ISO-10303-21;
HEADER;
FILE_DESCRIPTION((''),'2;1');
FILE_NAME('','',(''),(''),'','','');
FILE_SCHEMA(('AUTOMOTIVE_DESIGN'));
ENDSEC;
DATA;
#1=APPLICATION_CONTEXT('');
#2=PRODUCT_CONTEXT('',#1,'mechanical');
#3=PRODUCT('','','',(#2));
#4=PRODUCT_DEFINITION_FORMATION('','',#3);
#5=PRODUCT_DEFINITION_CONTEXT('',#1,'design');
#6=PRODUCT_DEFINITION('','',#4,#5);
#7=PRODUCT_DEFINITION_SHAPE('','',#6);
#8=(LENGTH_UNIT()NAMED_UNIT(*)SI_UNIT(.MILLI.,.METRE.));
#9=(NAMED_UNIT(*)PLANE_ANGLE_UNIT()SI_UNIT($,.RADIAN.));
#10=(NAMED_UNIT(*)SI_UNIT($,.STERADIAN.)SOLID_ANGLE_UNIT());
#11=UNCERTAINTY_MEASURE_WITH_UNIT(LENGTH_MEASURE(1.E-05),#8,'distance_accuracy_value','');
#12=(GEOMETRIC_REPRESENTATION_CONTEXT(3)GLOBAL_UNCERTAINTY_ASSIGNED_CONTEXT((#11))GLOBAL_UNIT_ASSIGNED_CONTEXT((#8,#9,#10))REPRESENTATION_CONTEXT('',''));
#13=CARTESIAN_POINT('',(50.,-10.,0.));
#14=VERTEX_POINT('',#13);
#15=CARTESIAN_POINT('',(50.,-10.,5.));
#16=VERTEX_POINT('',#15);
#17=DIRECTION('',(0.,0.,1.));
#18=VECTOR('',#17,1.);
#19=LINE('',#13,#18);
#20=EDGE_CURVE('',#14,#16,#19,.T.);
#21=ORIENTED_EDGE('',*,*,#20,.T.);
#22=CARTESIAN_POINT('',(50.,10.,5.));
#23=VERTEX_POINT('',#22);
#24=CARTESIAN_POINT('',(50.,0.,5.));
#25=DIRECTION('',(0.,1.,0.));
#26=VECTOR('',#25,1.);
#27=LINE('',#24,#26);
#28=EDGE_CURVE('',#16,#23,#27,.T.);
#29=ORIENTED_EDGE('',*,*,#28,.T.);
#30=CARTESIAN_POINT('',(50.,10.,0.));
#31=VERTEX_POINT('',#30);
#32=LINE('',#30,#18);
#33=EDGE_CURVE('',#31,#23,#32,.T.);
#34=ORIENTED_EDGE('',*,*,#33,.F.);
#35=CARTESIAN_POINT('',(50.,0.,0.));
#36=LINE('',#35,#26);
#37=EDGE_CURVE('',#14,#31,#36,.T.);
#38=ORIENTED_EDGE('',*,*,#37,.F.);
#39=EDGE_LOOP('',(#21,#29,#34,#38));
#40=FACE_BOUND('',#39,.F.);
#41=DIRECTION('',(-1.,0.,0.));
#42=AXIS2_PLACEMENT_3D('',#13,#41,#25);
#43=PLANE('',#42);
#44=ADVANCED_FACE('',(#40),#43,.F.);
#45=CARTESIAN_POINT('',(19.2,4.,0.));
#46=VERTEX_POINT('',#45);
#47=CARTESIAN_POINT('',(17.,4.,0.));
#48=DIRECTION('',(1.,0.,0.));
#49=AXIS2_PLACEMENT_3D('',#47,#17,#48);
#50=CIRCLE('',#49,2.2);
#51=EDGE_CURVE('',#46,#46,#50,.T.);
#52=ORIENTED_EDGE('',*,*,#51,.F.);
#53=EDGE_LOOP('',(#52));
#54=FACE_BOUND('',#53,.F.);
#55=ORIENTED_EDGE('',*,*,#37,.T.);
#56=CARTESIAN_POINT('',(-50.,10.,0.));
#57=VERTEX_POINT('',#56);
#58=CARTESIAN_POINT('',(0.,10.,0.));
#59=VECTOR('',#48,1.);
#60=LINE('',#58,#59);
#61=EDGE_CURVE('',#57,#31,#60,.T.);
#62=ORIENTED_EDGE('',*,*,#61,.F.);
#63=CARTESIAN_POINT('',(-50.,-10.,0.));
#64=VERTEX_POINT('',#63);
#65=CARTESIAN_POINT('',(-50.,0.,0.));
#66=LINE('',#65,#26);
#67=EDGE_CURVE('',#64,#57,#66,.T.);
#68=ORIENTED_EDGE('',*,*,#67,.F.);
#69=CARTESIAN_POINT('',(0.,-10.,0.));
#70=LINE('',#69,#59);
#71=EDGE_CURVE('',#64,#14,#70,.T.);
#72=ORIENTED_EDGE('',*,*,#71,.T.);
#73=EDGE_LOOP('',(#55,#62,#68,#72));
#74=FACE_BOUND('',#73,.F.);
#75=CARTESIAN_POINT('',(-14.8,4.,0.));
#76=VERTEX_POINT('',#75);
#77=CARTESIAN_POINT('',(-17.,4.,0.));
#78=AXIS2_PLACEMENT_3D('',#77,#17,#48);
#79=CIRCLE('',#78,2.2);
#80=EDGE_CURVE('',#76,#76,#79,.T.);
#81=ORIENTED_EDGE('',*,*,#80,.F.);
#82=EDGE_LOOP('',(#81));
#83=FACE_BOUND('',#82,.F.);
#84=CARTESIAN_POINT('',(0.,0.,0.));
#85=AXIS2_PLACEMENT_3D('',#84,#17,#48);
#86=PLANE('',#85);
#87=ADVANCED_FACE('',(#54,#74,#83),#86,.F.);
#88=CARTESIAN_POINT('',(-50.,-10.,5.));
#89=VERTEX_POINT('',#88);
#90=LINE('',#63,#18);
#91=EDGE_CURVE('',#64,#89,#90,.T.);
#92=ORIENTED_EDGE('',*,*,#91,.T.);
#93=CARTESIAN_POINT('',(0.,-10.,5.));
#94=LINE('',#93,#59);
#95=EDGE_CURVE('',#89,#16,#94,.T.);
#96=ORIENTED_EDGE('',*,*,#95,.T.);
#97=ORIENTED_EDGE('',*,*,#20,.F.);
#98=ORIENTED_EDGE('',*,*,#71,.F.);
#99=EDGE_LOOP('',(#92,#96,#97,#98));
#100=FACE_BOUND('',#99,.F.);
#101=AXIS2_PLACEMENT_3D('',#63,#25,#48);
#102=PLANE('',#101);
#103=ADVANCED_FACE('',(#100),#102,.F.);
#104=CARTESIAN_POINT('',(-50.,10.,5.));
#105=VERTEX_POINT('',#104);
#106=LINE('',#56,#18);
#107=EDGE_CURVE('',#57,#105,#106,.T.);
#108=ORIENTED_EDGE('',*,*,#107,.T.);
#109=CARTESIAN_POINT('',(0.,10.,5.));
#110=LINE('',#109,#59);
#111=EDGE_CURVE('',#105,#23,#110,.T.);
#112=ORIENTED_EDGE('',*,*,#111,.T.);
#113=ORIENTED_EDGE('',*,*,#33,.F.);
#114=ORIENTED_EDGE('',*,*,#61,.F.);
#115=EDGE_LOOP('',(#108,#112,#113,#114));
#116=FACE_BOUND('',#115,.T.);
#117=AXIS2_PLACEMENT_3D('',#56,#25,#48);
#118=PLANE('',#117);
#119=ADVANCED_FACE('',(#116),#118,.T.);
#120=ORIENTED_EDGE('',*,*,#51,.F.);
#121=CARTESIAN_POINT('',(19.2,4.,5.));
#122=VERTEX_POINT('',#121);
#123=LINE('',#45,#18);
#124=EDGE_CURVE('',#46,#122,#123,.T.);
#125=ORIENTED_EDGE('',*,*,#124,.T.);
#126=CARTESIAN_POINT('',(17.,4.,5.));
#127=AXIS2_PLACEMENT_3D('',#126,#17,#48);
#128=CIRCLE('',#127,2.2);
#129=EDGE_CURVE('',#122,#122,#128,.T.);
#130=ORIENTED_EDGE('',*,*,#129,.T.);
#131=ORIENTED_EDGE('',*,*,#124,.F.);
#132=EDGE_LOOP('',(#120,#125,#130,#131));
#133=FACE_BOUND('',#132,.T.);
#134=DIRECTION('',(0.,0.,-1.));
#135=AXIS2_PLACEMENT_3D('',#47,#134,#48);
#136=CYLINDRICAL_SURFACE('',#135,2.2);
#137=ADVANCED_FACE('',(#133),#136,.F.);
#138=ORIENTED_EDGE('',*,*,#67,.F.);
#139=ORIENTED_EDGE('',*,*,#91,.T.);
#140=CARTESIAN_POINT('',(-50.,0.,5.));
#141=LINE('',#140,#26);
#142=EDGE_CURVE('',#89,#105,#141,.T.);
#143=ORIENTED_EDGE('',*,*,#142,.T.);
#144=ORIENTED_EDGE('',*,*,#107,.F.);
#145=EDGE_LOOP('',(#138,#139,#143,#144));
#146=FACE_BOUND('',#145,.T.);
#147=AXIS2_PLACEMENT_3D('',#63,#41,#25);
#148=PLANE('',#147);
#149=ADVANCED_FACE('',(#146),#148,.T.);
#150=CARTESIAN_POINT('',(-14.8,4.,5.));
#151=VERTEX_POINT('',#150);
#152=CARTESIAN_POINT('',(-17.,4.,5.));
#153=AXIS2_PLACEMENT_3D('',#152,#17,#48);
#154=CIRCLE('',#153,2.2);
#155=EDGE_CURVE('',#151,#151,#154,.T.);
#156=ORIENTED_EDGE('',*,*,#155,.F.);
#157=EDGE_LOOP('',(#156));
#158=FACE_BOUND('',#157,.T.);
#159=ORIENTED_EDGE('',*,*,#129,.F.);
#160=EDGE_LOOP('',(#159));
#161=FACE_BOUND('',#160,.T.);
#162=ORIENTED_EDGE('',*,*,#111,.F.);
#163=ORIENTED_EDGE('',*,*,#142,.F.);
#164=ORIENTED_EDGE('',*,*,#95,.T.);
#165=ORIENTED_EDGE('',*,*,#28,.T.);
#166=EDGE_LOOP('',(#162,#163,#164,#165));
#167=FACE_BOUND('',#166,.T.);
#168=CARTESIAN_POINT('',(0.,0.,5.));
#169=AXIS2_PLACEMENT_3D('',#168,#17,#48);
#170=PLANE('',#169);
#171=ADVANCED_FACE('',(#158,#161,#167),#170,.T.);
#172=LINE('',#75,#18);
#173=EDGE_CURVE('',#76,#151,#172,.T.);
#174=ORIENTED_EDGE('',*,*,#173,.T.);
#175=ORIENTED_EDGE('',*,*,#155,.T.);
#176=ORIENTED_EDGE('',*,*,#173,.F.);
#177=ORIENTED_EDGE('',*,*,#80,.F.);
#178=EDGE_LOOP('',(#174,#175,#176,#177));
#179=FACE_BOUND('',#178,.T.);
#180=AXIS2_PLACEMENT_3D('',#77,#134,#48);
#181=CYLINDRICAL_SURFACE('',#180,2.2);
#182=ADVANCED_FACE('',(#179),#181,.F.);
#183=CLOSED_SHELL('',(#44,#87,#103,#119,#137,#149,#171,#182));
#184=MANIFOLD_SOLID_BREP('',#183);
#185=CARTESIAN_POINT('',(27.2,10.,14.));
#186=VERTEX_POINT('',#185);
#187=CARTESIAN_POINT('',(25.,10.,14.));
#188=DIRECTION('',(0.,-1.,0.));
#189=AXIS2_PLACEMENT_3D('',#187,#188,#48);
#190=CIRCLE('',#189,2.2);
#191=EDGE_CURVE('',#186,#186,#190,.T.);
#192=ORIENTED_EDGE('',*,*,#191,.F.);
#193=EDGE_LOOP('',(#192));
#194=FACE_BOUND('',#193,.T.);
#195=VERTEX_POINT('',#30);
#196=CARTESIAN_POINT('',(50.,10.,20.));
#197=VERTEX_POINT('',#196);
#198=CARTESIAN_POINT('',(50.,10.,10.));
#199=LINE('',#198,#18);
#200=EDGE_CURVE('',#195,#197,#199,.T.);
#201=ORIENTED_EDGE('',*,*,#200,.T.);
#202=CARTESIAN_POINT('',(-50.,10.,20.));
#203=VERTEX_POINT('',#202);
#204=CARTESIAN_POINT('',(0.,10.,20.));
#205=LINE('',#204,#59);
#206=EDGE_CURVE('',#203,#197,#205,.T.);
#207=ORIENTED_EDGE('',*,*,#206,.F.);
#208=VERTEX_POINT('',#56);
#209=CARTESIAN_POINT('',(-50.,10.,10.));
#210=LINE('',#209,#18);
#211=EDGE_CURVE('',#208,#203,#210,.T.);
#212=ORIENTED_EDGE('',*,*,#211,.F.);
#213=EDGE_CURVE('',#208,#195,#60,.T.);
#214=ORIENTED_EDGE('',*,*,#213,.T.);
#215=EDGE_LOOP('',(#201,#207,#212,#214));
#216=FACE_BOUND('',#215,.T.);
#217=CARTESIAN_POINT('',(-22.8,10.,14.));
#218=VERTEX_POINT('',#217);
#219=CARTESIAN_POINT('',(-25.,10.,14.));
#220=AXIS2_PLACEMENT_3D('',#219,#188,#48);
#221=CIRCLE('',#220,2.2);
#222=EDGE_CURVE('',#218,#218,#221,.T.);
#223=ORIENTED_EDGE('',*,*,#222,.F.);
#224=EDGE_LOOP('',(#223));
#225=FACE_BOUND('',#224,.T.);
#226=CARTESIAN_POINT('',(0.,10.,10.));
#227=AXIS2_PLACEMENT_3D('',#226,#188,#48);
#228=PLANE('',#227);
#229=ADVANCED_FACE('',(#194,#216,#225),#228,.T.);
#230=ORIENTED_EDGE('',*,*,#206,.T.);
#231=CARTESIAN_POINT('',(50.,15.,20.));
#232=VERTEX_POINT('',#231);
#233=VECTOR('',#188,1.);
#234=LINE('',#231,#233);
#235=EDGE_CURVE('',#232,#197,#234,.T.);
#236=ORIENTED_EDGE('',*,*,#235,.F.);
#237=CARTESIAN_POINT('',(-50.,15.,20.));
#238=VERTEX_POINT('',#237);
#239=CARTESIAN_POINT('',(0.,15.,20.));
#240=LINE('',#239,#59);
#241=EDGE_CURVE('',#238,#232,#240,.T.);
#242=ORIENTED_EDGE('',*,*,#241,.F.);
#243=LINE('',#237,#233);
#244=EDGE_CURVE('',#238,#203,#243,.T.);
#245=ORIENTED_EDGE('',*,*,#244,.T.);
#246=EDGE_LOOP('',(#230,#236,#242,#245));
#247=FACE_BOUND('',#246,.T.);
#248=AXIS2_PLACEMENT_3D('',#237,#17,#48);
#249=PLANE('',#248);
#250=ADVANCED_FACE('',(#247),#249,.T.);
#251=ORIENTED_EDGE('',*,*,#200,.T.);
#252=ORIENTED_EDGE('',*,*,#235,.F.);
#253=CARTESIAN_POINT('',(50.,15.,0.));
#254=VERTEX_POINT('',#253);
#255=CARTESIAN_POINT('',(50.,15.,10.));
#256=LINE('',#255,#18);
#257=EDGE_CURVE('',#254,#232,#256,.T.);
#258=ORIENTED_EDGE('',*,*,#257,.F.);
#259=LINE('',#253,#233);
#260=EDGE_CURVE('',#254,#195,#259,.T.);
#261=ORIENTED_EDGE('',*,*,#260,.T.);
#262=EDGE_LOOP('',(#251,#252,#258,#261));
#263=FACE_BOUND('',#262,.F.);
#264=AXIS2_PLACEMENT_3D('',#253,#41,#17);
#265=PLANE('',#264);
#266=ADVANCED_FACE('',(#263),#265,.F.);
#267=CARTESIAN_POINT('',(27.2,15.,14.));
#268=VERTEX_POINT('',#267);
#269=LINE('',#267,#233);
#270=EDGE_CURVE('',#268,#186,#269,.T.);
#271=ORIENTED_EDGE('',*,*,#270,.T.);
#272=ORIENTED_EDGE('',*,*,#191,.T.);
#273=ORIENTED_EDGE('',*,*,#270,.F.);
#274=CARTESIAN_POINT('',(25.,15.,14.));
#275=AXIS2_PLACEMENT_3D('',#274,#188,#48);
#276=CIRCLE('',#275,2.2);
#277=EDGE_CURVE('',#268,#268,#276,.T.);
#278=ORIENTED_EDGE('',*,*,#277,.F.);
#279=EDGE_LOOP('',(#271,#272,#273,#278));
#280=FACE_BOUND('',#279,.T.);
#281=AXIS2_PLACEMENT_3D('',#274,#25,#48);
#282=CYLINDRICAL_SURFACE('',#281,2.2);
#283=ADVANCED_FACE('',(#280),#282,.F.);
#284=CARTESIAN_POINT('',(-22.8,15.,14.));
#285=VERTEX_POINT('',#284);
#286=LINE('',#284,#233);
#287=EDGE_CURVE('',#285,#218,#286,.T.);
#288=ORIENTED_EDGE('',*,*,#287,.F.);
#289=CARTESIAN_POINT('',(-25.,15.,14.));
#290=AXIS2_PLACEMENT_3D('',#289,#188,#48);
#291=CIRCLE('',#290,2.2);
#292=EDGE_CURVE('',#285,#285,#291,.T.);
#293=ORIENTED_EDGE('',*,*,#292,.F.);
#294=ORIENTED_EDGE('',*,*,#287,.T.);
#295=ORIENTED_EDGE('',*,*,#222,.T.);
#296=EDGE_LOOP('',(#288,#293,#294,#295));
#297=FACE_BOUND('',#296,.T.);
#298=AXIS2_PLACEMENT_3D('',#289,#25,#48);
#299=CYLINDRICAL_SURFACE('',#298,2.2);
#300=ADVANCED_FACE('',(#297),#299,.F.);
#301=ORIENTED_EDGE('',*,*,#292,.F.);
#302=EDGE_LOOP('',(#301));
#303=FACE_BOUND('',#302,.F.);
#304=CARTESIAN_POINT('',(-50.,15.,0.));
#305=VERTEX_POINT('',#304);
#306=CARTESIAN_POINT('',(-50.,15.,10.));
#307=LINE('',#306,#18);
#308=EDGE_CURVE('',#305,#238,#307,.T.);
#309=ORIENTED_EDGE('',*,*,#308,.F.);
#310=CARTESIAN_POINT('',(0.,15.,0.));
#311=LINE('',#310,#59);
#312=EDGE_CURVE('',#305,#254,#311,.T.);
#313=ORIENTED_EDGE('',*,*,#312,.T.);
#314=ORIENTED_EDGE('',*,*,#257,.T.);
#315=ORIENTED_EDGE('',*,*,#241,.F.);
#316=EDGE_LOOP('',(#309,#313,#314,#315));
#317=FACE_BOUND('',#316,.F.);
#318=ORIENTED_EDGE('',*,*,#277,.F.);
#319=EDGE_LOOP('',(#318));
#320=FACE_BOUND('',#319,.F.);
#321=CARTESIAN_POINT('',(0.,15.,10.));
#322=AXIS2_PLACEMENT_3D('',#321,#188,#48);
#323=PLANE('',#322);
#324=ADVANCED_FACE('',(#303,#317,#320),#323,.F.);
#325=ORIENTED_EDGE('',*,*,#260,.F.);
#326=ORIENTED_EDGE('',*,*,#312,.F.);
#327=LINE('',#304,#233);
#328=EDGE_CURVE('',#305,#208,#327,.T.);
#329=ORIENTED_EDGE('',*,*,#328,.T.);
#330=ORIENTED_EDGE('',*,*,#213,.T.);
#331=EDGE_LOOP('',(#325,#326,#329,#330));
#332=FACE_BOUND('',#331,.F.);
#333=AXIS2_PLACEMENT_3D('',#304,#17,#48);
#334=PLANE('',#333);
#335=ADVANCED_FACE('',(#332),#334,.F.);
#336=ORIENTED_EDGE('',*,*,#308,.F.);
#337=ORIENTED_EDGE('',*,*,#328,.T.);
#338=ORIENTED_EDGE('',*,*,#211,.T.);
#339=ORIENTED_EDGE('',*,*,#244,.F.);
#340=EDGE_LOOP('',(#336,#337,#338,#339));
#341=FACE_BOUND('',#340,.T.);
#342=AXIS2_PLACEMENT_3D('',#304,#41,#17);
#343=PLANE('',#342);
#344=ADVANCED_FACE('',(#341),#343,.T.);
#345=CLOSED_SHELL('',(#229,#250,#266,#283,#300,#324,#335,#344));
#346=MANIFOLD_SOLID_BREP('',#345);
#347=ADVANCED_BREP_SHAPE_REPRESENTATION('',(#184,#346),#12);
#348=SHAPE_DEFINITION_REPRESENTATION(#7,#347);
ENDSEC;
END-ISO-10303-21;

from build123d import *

# Parameters (mm, degrees)
SKETCH_W     = 100
SKETCH_H     = 20
SKETCH_R     = 2.2
PAD_DEPTH    = 5
SKETCH001_W  = 100
SKETCH001_H  = 20
SKETCH001_R  = 2.2
PAD001_DEPTH = 5


with BuildPart() as pad:
    # Sketch → Pad (new body)
    with BuildSketch(Plane.XY):
        Rectangle(SKETCH_W, SKETCH_H)
        with Locations((17, 4)):
            Circle(SKETCH_R, mode=Mode.SUBTRACT)
        with Locations((-17, 4)):
            Circle(SKETCH_R, mode=Mode.SUBTRACT)
    extrude(amount=PAD_DEPTH)


with BuildPart() as pad001:
    # Sketch001 → Pad001 (new body)
    with BuildSketch(Plane(origin=(0, 15, 10), x_dir=(1, 0, 0), z_dir=(0, -1, 0))):
        Rectangle(SKETCH001_W, SKETCH001_H)
        with Locations((25, 4)):
            Circle(SKETCH001_R, mode=Mode.SUBTRACT)
        with Locations((-25, 4)):
            Circle(SKETCH001_R, mode=Mode.SUBTRACT)
    extrude(amount=PAD001_DEPTH)


solid = Compound([pad.part, pad001.part])
